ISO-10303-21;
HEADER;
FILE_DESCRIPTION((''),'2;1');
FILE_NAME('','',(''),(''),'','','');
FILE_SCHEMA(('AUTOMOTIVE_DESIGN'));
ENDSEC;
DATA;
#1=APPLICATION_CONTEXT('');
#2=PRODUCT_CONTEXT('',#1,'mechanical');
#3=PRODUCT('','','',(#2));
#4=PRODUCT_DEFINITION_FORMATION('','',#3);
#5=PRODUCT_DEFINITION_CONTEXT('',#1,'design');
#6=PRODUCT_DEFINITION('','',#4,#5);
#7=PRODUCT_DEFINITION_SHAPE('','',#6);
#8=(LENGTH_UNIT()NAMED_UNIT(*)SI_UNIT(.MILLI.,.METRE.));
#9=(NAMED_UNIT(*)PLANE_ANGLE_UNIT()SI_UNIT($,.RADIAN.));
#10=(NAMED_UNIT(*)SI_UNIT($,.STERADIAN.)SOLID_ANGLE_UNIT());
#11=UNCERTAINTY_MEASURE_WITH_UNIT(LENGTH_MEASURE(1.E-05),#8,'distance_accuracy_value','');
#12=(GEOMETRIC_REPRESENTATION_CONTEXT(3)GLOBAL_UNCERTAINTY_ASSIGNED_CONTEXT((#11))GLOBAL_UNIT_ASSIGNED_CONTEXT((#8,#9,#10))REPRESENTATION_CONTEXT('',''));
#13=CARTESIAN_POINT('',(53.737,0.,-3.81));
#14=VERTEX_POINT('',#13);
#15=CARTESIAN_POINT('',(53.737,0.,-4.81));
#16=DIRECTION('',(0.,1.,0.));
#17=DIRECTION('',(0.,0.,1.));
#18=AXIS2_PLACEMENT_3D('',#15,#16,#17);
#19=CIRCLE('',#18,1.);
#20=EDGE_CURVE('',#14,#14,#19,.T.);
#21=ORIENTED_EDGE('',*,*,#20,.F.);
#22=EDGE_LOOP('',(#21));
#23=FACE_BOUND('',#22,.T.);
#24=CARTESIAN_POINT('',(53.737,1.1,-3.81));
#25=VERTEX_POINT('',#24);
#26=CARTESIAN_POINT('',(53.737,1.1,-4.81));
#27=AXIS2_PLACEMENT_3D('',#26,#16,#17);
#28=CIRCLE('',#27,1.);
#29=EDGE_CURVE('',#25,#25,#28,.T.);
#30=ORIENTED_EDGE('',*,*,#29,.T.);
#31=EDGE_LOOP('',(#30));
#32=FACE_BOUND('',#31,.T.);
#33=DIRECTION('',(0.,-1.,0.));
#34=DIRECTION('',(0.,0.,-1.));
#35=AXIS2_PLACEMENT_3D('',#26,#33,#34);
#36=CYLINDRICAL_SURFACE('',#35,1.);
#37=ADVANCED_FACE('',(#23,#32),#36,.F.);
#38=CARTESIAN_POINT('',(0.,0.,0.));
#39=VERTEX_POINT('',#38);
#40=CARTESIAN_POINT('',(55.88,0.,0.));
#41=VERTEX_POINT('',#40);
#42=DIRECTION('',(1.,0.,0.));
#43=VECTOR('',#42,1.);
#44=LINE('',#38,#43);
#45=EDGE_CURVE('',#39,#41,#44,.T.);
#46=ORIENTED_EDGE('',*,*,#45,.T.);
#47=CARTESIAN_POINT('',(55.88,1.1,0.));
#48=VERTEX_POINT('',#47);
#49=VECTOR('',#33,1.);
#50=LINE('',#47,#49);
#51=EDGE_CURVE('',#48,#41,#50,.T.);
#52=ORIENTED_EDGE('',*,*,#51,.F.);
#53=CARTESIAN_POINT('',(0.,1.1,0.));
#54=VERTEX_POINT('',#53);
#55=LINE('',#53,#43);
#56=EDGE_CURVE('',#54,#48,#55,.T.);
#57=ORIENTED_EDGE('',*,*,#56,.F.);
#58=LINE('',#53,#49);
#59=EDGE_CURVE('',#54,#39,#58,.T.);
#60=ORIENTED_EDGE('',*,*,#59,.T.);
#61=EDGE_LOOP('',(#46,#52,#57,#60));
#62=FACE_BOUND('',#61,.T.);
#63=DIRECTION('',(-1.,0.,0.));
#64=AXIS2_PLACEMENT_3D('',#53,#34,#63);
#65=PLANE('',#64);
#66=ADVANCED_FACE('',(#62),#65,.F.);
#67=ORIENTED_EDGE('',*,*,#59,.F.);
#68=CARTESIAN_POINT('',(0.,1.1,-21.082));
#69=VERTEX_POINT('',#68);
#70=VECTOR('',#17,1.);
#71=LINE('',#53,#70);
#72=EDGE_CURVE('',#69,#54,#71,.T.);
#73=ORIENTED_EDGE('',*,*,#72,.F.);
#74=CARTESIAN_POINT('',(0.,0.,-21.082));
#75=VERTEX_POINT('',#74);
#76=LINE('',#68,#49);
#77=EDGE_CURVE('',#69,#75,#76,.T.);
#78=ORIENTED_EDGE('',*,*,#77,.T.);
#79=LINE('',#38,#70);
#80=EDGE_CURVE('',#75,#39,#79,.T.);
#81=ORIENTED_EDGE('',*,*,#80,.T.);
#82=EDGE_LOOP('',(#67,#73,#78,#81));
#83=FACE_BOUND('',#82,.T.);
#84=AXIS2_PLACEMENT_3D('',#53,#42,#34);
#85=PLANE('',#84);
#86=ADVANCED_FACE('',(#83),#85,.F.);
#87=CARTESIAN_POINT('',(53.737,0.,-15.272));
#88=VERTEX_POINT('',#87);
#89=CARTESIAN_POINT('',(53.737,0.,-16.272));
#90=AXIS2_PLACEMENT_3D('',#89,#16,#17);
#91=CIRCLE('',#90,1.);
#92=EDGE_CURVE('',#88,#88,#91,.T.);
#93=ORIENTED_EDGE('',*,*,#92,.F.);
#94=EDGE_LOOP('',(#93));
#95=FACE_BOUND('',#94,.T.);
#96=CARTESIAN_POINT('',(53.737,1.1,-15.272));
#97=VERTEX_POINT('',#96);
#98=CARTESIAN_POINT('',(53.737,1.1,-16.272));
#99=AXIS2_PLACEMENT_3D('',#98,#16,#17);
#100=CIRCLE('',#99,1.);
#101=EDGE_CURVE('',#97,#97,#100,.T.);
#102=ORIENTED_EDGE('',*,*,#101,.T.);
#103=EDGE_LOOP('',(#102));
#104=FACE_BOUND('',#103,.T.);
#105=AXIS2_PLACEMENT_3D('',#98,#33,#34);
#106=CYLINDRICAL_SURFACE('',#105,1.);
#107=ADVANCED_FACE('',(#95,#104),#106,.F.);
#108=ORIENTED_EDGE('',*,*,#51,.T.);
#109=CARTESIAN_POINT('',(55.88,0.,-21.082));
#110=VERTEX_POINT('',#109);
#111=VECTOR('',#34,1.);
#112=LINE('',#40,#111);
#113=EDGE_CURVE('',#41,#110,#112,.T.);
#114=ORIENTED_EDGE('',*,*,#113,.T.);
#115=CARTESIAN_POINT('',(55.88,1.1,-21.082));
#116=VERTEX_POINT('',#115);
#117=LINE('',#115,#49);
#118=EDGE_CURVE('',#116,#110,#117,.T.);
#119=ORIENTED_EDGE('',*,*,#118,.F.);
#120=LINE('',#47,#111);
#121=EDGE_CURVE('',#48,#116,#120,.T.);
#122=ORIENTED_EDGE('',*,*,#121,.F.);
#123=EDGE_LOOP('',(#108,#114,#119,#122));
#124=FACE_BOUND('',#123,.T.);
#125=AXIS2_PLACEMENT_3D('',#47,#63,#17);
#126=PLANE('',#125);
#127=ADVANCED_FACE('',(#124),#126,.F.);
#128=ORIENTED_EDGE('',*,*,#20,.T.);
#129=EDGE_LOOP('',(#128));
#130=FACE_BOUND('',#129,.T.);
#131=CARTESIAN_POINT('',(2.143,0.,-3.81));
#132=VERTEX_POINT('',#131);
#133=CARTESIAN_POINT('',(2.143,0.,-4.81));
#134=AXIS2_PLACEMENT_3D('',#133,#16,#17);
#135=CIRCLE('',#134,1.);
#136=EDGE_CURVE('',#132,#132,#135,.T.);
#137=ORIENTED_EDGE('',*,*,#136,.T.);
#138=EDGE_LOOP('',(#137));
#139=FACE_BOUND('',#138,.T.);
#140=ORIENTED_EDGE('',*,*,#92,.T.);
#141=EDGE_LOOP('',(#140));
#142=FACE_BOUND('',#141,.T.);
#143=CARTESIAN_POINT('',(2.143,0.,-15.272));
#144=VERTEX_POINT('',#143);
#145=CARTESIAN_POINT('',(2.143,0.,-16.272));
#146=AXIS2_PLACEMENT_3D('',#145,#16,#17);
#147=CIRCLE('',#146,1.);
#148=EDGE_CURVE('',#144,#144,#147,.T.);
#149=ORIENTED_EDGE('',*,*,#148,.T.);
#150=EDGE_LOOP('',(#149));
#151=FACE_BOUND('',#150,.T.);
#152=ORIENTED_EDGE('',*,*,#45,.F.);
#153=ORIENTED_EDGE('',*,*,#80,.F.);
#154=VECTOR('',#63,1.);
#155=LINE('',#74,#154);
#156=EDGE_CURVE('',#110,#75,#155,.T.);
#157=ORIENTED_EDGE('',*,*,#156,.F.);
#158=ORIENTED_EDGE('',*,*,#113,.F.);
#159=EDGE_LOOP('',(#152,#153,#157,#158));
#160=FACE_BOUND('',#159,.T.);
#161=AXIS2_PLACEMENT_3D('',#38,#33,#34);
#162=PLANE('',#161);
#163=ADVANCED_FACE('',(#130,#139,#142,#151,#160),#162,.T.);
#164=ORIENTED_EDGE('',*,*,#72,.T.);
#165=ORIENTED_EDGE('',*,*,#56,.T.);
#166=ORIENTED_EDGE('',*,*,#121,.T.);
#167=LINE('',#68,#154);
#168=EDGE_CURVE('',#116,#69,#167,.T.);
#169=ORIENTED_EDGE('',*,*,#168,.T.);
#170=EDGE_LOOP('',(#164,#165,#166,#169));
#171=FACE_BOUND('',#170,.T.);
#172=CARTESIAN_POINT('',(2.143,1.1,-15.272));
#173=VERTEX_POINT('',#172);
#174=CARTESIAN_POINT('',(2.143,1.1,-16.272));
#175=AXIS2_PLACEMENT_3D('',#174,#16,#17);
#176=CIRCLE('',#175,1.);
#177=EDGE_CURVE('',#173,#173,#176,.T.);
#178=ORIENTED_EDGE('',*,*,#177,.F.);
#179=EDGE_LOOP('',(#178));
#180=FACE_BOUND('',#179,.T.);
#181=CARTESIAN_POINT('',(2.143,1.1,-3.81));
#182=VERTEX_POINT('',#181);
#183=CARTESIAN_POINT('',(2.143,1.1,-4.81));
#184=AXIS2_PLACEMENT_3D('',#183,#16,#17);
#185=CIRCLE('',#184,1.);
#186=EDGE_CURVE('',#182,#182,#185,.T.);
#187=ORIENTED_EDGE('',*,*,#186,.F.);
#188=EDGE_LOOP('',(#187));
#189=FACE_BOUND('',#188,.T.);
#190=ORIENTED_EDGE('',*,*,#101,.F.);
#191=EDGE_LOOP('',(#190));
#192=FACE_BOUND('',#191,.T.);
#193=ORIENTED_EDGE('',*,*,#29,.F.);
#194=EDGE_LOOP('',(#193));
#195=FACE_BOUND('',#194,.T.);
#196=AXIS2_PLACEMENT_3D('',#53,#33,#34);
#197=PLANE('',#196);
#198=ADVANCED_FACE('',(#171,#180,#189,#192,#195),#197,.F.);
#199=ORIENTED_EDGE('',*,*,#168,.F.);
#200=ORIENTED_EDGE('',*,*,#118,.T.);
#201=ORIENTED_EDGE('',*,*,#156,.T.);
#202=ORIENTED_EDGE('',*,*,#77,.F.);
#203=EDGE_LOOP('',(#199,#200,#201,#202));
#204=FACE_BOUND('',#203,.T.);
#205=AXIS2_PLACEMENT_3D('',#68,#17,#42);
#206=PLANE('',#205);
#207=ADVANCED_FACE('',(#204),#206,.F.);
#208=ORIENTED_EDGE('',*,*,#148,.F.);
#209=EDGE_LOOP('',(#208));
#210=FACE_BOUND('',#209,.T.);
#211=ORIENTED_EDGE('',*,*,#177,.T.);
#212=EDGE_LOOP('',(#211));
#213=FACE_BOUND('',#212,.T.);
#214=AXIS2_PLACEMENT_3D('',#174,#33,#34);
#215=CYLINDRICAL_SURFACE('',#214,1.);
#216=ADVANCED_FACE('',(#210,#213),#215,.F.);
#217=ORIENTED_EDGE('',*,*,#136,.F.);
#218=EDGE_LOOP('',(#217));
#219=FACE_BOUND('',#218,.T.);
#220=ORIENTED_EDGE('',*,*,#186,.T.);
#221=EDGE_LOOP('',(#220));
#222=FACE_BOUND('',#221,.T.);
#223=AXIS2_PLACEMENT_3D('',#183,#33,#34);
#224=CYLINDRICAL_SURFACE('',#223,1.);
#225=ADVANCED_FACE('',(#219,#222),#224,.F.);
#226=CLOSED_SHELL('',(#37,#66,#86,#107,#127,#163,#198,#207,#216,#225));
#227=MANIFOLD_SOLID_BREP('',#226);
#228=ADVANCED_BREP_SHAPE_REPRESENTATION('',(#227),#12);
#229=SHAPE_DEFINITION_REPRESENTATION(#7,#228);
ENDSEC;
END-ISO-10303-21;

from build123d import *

# Parameters (mm, degrees)
SKETCH1_W           = 55.88
SKETCH1_H           = 21.082
SKETCH1_R           = 1
BOSS_EXTRUDE1_DEPTH = 1.1


with BuildPart() as part:
    # Sketch1 → Boss-Extrude1 (new body)
    with BuildSketch(Plane(origin=(0, 0, 0), x_dir=(1, 0, 0), z_dir=(0, 1, 0))):
        with Locations((27.94, 10.541)):
            Rectangle(SKETCH1_W, SKETCH1_H)
        with Locations((2.143, 16.272)):
            Circle(SKETCH1_R, mode=Mode.SUBTRACT)
        with Locations((2.143, 4.81)):
            Circle(SKETCH1_R, mode=Mode.SUBTRACT)
        with Locations((53.737, 16.272)):
            Circle(SKETCH1_R, mode=Mode.SUBTRACT)
        with Locations((53.737, 4.81)):
            Circle(SKETCH1_R, mode=Mode.SUBTRACT)
    extrude(amount=BOSS_EXTRUDE1_DEPTH)


solid = part.part
